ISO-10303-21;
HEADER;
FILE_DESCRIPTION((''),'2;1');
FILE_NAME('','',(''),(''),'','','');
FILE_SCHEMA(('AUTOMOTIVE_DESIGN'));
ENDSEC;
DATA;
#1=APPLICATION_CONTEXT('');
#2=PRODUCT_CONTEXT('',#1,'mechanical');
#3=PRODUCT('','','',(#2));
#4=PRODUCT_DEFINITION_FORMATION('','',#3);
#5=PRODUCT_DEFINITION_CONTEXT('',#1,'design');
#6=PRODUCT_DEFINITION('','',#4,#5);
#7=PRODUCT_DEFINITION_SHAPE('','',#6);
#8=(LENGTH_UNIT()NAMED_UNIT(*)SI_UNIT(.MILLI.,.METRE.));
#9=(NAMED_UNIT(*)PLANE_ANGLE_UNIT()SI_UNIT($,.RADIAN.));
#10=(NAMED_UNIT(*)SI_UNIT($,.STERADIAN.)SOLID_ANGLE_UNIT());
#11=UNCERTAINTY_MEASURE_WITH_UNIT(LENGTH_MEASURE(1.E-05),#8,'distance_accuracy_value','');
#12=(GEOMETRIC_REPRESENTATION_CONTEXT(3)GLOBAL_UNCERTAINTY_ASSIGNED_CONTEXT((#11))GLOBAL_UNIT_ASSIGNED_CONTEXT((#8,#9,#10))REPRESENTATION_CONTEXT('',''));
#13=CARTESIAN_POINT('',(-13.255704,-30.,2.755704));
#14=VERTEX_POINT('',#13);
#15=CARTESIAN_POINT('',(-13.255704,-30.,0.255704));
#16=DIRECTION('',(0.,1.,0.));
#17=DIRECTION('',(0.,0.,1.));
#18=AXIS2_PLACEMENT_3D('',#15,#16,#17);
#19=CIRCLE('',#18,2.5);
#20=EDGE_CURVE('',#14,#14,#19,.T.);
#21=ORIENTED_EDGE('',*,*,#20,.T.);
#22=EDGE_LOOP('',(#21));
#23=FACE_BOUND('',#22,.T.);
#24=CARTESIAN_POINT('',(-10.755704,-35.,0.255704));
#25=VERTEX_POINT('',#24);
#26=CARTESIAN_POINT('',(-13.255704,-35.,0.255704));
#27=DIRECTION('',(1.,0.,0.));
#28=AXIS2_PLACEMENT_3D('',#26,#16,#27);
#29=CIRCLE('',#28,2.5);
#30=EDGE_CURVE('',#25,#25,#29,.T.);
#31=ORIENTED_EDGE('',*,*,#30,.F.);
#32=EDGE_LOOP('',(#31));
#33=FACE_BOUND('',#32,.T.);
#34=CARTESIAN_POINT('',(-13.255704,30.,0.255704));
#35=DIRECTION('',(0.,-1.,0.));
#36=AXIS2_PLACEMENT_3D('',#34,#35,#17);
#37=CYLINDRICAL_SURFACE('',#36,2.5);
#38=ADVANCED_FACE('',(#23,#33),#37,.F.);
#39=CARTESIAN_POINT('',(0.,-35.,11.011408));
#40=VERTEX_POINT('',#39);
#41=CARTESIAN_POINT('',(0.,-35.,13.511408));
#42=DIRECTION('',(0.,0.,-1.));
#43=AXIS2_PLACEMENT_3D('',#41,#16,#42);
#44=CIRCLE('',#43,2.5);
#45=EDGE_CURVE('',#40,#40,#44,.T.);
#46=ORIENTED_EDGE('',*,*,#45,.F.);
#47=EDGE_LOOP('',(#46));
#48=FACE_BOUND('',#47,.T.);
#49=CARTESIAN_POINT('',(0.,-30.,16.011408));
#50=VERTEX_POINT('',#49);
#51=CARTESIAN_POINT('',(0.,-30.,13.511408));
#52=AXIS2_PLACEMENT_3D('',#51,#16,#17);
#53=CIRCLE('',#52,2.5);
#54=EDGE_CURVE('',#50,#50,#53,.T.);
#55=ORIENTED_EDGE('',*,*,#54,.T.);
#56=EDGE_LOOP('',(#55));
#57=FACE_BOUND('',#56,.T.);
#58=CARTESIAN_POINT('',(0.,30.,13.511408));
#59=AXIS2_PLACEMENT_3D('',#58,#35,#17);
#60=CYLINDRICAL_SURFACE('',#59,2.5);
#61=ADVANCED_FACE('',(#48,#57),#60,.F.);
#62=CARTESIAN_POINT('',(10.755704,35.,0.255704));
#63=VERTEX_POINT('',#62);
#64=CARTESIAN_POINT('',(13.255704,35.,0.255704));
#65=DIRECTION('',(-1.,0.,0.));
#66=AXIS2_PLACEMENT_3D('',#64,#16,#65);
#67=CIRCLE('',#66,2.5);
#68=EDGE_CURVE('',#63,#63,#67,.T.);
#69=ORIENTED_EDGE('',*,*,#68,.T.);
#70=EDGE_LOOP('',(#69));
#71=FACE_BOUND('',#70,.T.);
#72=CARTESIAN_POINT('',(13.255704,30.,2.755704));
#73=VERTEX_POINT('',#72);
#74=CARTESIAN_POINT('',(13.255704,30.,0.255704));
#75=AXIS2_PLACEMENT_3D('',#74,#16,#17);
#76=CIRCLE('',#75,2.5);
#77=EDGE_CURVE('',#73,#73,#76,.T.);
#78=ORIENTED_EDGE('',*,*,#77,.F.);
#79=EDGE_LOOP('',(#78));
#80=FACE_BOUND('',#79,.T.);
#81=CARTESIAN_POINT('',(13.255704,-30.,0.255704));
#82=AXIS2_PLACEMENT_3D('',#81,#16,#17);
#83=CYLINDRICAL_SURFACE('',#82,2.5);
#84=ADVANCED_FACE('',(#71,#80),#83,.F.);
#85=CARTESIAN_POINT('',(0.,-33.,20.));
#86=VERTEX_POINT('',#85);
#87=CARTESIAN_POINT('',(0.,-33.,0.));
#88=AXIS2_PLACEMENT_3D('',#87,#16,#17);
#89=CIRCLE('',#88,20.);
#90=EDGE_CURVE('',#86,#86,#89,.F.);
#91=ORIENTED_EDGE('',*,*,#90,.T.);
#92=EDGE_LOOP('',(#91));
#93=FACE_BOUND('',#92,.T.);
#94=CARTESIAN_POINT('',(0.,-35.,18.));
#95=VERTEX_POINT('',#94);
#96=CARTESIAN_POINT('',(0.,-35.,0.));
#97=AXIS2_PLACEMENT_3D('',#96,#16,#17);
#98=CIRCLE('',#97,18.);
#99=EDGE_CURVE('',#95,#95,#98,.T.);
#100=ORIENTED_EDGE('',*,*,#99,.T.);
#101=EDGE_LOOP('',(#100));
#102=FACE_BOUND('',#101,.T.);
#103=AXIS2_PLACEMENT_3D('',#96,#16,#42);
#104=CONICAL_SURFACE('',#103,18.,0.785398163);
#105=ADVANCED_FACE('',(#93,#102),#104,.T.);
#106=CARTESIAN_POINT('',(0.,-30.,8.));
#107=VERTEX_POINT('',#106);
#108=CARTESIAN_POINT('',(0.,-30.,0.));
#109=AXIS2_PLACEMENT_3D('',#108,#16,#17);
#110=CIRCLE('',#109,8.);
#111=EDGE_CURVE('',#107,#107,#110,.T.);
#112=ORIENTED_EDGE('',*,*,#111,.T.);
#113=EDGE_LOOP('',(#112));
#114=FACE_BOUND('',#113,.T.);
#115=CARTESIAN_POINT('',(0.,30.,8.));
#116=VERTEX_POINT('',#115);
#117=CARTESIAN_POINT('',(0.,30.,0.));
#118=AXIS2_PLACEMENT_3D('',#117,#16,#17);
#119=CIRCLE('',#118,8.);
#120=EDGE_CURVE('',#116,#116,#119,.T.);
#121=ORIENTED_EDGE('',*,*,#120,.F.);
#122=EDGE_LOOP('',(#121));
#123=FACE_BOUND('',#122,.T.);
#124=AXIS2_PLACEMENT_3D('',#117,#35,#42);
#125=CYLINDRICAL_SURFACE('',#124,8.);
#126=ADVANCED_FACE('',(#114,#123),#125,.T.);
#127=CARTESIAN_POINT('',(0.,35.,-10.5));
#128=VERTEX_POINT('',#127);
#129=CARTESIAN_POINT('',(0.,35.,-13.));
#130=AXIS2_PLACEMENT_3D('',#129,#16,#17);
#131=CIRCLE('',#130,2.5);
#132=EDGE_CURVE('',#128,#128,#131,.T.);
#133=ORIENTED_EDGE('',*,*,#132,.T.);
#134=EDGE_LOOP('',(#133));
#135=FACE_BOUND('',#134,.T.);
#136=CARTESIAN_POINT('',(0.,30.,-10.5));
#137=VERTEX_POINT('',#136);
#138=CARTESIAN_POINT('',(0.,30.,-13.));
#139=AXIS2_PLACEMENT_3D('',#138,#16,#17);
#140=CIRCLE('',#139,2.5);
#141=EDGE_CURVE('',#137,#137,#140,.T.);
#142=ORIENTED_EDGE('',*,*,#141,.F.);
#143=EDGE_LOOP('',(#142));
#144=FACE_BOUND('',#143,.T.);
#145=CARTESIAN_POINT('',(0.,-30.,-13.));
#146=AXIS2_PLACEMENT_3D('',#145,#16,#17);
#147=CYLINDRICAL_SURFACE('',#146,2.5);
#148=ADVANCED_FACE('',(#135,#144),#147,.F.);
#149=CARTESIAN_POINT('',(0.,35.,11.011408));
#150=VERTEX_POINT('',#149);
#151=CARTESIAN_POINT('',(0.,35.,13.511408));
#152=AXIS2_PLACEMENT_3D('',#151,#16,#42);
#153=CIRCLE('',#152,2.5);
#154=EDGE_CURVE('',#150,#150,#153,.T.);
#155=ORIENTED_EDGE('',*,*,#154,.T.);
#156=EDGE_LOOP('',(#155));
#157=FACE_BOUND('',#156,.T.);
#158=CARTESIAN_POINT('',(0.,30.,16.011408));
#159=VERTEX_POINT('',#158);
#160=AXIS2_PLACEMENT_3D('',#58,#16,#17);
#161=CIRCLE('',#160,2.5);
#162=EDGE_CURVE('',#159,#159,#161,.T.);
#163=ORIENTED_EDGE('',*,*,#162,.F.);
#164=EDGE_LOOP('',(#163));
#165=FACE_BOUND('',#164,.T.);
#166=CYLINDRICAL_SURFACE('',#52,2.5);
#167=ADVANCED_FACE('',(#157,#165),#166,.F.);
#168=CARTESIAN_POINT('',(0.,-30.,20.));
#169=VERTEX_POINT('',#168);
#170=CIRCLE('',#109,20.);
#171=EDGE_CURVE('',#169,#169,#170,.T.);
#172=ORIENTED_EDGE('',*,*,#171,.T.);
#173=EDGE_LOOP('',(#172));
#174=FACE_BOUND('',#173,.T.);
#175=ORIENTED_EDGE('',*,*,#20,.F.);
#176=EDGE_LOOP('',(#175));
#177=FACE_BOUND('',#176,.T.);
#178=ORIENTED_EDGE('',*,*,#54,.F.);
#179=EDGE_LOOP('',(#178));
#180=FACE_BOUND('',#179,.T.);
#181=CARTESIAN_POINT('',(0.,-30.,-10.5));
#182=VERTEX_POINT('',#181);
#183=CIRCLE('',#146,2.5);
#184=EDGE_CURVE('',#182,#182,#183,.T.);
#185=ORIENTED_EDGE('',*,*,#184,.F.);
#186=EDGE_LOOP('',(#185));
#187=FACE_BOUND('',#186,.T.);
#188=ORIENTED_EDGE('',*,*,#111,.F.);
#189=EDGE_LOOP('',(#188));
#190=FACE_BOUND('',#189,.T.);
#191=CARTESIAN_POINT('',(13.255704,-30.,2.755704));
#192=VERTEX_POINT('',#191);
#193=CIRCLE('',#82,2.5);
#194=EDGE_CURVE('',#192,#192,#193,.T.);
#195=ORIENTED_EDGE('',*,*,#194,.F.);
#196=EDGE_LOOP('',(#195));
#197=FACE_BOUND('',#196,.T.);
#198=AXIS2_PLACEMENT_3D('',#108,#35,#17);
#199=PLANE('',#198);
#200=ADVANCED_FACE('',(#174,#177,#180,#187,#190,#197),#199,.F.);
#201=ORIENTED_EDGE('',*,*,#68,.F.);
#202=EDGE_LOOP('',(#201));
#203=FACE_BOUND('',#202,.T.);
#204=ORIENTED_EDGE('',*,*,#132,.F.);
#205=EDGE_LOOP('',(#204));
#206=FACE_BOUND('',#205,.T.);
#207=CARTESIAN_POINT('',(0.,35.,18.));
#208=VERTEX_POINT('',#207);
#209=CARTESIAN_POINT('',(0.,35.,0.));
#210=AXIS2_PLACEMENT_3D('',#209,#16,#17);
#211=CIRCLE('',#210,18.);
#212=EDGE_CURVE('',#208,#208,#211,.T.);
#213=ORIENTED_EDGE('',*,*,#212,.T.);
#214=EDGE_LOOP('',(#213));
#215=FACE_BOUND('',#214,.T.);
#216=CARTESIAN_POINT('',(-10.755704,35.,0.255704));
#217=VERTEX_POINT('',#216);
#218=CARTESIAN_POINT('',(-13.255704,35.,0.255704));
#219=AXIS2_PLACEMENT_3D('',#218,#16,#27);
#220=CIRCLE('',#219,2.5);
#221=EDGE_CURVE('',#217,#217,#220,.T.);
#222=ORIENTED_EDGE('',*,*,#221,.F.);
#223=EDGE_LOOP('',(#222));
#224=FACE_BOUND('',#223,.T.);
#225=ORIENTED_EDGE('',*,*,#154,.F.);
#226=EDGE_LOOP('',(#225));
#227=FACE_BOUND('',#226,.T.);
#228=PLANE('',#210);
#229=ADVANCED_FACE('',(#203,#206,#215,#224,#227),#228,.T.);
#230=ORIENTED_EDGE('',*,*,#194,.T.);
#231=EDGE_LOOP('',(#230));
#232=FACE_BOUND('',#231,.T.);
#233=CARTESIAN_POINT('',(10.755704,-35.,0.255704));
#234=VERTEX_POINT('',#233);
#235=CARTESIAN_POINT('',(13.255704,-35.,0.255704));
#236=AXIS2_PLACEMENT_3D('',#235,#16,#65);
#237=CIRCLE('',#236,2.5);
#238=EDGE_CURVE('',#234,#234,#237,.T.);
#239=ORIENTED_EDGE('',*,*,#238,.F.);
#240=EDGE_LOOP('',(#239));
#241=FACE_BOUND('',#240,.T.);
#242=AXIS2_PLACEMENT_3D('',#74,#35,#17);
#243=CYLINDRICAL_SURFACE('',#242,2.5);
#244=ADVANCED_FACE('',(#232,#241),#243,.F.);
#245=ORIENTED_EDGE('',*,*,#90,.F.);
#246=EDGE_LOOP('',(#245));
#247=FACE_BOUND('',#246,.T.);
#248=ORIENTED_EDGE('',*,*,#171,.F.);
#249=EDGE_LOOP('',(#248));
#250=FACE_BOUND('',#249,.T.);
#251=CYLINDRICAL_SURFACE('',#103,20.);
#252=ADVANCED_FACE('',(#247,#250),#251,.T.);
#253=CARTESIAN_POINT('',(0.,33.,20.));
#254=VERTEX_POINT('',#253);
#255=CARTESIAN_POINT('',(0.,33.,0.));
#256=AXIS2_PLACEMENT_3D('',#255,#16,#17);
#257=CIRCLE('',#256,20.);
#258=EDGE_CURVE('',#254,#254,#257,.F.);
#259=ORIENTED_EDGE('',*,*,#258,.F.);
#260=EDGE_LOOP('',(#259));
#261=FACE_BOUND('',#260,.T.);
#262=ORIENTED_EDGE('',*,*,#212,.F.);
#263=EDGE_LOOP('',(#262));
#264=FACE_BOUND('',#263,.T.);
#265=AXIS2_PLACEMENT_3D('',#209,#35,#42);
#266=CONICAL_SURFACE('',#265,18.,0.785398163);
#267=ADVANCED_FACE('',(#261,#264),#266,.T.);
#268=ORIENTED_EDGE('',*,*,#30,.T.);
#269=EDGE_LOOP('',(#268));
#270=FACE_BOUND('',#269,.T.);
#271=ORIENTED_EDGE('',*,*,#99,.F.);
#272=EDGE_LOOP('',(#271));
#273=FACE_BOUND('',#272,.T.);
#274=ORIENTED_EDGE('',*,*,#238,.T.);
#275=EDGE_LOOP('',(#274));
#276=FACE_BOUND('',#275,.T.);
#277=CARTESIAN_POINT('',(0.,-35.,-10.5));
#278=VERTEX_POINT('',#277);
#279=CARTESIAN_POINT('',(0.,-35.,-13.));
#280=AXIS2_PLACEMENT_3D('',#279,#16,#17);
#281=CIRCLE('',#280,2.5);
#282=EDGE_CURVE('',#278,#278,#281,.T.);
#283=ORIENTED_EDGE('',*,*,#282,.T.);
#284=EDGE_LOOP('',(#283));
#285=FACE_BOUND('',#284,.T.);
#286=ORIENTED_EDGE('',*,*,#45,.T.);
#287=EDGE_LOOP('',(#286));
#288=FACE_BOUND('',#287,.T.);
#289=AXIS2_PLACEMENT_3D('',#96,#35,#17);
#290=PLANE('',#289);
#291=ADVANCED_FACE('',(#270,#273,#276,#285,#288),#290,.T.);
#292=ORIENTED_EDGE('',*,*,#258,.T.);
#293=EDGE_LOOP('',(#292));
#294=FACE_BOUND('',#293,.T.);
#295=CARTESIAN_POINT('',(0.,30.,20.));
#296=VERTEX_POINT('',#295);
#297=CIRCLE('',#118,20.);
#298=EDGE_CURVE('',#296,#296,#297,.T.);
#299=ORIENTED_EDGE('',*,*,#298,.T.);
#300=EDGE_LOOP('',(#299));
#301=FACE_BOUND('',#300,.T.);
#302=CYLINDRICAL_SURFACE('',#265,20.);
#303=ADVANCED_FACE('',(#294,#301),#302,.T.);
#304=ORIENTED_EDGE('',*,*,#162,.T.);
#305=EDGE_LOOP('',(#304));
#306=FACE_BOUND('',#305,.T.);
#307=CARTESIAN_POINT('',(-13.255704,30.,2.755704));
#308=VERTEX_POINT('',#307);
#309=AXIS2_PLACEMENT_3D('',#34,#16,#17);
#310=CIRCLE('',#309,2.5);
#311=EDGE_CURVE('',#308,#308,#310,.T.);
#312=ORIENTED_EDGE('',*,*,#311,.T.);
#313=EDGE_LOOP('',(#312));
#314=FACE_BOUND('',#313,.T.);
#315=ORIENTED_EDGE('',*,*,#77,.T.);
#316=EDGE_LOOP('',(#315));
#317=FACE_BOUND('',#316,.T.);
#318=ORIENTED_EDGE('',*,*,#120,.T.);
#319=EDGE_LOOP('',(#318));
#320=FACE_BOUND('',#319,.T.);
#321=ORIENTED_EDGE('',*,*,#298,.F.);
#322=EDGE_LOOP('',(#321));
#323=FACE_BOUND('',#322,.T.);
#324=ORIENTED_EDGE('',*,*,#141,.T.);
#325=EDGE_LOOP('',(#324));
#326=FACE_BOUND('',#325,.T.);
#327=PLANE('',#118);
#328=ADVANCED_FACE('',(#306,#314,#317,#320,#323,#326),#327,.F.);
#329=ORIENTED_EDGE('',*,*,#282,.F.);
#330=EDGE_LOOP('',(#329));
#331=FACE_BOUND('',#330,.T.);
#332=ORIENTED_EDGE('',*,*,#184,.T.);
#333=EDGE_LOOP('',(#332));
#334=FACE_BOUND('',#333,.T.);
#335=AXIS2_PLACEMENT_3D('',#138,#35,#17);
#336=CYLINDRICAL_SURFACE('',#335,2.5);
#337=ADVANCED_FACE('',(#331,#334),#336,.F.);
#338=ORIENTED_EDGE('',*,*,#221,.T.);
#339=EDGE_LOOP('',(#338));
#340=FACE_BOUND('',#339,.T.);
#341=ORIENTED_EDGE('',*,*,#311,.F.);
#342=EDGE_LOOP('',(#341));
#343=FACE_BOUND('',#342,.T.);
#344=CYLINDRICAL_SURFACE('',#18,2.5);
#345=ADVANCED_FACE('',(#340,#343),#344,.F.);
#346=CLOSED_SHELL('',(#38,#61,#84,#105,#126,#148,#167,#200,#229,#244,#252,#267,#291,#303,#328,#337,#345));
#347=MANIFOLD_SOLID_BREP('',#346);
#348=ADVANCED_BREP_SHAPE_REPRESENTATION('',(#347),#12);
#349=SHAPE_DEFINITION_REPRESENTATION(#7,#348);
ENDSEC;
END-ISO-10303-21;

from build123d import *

# Parameters (mm, degrees)
SKETCH1_R           = 8
BOSS_EXTRUDE1_DEPTH = 30
SKETCH2_R           = 20
BOSS_EXTRUDE2_DEPTH = 5
CHAMFER1_SIZE       = 2
SKETCH3_R           = 2.5
CUT_EXTRUDE1_DEPTH  = 71.887234394
CIRPATTERN1_COUNT   = 4


with BuildPart() as part:
    # Sketch1 → Boss-Extrude1 (new, symmetric)
    with BuildSketch(Plane(origin=(0, 0, 0), x_dir=(1, 0, 0), z_dir=(0, 1, 0))):
        with Locations(Location((0, 0, 0), (0, 0, 270))):
            Circle(SKETCH1_R)
    extrude(amount=BOSS_EXTRUDE1_DEPTH, both=True)

    # Sketch2 → Boss-Extrude2 (add)
    with BuildSketch(Plane(origin=(0, 30, 0), x_dir=(1, 0, 0), z_dir=(0, 1, 0))):
        with Locations(Location((0, 0, 0), (0, 0, 270))):
            Circle(SKETCH2_R)
    extrude(amount=BOSS_EXTRUDE2_DEPTH)

    # Chamfer1
    chamfer1_edges = [part.edges().sort_by_distance(p)[0] for p in [
        (0, 35, -20),
    ]]
    chamfer(chamfer1_edges, length=CHAMFER1_SIZE)

    # Sketch3 → Cut-Extrude1 (cut, through all)
    with BuildSketch(Plane(origin=(0, 35, 0), x_dir=(1, 0, 0), z_dir=(0, 1, 0))):
        with Locations(Location((0, 13, 0), (0, 0, 270))):
            Circle(SKETCH3_R)
    cut_extrude1 = extrude(amount=-CUT_EXTRUDE1_DEPTH, mode=Mode.SUBTRACT)

    # CirPattern1: Cut-Extrude1 ×4 about axis
    cirpattern1_axis = Axis((0, 0, 0.25570417), (0, 1, 0))
    for i in range(1, CIRPATTERN1_COUNT):
        add(cut_extrude1.rotate(cirpattern1_axis, i * 360 / CIRPATTERN1_COUNT), mode=Mode.SUBTRACT)

    # Mirror1: part across plane


with BuildPart() as part_1:
    add(part.part)
    add(part.part.mirror(Plane.ZX))


solid = part_1.part
